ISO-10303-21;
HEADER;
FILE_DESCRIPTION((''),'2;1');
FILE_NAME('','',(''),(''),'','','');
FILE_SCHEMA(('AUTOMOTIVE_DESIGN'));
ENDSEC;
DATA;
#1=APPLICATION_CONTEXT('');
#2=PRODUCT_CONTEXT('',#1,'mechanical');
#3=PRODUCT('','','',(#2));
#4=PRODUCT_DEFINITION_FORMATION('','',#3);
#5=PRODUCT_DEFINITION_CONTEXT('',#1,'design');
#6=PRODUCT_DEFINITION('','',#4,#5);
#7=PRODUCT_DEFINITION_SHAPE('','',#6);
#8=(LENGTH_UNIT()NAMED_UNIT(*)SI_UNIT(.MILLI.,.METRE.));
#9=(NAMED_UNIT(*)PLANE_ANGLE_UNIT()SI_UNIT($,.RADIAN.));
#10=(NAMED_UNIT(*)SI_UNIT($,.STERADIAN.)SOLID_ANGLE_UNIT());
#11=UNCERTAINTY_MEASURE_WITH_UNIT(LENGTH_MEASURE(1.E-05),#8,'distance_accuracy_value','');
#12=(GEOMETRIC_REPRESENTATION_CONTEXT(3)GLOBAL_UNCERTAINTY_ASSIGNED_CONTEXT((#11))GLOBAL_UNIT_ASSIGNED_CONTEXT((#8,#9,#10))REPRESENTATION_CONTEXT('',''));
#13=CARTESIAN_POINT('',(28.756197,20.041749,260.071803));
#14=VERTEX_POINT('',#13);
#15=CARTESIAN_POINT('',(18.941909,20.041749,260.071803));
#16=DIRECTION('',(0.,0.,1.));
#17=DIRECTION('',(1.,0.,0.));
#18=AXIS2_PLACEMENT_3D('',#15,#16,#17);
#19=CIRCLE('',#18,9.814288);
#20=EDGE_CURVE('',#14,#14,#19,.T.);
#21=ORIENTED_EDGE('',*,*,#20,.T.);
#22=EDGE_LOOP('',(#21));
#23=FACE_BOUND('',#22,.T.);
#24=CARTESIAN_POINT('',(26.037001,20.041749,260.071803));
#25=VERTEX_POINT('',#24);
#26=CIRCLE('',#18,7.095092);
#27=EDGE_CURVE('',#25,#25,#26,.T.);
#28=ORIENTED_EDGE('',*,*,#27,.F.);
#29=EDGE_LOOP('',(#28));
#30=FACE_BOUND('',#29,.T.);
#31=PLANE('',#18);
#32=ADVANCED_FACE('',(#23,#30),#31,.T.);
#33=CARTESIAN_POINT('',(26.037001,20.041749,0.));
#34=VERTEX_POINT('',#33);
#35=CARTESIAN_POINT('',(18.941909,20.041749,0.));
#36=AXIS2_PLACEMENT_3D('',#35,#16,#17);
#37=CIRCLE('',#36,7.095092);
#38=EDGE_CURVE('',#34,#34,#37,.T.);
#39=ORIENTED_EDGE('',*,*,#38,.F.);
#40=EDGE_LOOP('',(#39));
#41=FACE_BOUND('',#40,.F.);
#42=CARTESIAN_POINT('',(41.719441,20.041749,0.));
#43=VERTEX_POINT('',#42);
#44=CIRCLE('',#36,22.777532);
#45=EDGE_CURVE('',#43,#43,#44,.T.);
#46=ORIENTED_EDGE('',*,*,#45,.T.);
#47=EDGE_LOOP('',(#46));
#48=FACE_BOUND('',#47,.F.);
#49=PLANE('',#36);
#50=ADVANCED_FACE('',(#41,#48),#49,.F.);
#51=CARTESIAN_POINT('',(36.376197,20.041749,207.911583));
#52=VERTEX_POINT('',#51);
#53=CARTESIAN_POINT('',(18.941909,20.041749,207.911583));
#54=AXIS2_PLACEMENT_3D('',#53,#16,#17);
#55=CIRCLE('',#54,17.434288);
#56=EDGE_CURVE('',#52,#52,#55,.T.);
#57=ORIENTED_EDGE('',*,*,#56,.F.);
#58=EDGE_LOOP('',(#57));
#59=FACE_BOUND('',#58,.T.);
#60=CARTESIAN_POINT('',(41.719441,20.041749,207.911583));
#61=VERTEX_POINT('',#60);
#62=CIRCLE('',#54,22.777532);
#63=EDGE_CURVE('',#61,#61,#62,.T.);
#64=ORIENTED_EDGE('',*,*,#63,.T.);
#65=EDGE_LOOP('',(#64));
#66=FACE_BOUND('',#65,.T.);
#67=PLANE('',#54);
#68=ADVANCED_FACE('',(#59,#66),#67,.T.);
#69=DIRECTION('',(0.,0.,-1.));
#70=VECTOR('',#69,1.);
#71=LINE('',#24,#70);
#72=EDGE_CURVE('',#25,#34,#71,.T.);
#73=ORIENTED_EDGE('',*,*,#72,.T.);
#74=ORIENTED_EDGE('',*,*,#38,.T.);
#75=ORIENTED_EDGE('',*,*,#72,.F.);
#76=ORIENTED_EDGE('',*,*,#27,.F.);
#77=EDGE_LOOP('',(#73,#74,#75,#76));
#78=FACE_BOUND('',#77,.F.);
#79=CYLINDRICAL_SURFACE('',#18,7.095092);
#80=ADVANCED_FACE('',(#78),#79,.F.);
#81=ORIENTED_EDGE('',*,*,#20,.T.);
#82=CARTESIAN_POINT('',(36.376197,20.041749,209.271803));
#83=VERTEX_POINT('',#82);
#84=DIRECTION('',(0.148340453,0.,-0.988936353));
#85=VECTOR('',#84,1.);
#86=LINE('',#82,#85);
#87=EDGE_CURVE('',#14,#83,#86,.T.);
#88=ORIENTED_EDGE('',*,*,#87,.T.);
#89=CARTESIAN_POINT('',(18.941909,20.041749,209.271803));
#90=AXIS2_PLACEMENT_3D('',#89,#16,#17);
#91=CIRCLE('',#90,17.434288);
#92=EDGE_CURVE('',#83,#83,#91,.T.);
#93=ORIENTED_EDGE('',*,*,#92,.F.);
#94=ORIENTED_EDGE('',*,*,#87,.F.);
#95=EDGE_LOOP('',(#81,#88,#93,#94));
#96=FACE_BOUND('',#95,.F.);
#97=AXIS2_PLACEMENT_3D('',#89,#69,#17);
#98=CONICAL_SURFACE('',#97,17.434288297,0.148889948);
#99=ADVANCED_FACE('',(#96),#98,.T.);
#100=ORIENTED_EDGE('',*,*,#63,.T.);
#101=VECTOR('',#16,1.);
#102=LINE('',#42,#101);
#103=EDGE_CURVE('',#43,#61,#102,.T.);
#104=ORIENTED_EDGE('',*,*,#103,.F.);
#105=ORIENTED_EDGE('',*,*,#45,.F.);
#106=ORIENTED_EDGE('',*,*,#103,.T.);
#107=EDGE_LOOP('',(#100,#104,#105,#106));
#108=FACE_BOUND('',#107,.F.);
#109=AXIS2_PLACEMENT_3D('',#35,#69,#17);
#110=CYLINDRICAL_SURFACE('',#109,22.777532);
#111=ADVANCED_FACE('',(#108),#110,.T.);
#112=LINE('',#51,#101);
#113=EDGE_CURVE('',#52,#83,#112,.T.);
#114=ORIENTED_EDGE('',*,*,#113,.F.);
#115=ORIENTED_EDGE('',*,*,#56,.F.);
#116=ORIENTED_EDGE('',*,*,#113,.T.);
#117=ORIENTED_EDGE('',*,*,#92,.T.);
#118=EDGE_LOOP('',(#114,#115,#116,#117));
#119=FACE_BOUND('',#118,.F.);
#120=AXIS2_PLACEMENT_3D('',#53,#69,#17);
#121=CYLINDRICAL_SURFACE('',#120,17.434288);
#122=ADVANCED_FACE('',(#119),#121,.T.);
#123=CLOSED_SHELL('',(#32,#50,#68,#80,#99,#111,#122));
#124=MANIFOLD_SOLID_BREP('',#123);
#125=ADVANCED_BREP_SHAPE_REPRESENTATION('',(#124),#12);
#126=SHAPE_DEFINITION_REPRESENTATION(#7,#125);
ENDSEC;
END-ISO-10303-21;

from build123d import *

# Parameters (mm, degrees)
F0_R     = 22.7775322378
F1_DEPTH = 207.9115826637
F2_R     = 17.4342882966
F3_DEPTH = 52.1602202207
F4_SIZE2 = 50.8
F4_SIZE  = 7.62
F5_R     = 7.0950919486
F6_DEPTH = 295.2890638262


with BuildPart() as f1:
    # F0 (on Top) → F1 (new body)
    with BuildSketch(Plane.XY):
        with Locations((18.9419090748, 20.0417488813)):
            Circle(F0_R)
    extrude(amount=F1_DEPTH)

    # F2 (on face) → F3 (join)
    with BuildSketch(Plane.XY.offset(207.9115826637)):
        with Locations((18.9419090748, 20.0417488813)):
            Circle(F2_R)
    extrude(amount=F3_DEPTH)

    # F4
    f4_edges = [f1.edges().sort_by_distance(p)[0] for p in [
        (1.507621, 20.041749, 260.071803),
    ]]
    f4_side = f1.faces().sort_by_distance((18.941909, 20.041749, 260.071803))[0]
    chamfer(f4_edges, length=F4_SIZE, length2=F4_SIZE2, reference=f4_side)

    # F5 (on face) → F6 (cut)
    with BuildSketch(Plane.XY.offset(260.0718028843)):
        with Locations((18.9419090748, 20.0417488813)):
            Circle(F5_R)
    extrude(amount=-F6_DEPTH, mode=Mode.SUBTRACT)


solid = f1.part
